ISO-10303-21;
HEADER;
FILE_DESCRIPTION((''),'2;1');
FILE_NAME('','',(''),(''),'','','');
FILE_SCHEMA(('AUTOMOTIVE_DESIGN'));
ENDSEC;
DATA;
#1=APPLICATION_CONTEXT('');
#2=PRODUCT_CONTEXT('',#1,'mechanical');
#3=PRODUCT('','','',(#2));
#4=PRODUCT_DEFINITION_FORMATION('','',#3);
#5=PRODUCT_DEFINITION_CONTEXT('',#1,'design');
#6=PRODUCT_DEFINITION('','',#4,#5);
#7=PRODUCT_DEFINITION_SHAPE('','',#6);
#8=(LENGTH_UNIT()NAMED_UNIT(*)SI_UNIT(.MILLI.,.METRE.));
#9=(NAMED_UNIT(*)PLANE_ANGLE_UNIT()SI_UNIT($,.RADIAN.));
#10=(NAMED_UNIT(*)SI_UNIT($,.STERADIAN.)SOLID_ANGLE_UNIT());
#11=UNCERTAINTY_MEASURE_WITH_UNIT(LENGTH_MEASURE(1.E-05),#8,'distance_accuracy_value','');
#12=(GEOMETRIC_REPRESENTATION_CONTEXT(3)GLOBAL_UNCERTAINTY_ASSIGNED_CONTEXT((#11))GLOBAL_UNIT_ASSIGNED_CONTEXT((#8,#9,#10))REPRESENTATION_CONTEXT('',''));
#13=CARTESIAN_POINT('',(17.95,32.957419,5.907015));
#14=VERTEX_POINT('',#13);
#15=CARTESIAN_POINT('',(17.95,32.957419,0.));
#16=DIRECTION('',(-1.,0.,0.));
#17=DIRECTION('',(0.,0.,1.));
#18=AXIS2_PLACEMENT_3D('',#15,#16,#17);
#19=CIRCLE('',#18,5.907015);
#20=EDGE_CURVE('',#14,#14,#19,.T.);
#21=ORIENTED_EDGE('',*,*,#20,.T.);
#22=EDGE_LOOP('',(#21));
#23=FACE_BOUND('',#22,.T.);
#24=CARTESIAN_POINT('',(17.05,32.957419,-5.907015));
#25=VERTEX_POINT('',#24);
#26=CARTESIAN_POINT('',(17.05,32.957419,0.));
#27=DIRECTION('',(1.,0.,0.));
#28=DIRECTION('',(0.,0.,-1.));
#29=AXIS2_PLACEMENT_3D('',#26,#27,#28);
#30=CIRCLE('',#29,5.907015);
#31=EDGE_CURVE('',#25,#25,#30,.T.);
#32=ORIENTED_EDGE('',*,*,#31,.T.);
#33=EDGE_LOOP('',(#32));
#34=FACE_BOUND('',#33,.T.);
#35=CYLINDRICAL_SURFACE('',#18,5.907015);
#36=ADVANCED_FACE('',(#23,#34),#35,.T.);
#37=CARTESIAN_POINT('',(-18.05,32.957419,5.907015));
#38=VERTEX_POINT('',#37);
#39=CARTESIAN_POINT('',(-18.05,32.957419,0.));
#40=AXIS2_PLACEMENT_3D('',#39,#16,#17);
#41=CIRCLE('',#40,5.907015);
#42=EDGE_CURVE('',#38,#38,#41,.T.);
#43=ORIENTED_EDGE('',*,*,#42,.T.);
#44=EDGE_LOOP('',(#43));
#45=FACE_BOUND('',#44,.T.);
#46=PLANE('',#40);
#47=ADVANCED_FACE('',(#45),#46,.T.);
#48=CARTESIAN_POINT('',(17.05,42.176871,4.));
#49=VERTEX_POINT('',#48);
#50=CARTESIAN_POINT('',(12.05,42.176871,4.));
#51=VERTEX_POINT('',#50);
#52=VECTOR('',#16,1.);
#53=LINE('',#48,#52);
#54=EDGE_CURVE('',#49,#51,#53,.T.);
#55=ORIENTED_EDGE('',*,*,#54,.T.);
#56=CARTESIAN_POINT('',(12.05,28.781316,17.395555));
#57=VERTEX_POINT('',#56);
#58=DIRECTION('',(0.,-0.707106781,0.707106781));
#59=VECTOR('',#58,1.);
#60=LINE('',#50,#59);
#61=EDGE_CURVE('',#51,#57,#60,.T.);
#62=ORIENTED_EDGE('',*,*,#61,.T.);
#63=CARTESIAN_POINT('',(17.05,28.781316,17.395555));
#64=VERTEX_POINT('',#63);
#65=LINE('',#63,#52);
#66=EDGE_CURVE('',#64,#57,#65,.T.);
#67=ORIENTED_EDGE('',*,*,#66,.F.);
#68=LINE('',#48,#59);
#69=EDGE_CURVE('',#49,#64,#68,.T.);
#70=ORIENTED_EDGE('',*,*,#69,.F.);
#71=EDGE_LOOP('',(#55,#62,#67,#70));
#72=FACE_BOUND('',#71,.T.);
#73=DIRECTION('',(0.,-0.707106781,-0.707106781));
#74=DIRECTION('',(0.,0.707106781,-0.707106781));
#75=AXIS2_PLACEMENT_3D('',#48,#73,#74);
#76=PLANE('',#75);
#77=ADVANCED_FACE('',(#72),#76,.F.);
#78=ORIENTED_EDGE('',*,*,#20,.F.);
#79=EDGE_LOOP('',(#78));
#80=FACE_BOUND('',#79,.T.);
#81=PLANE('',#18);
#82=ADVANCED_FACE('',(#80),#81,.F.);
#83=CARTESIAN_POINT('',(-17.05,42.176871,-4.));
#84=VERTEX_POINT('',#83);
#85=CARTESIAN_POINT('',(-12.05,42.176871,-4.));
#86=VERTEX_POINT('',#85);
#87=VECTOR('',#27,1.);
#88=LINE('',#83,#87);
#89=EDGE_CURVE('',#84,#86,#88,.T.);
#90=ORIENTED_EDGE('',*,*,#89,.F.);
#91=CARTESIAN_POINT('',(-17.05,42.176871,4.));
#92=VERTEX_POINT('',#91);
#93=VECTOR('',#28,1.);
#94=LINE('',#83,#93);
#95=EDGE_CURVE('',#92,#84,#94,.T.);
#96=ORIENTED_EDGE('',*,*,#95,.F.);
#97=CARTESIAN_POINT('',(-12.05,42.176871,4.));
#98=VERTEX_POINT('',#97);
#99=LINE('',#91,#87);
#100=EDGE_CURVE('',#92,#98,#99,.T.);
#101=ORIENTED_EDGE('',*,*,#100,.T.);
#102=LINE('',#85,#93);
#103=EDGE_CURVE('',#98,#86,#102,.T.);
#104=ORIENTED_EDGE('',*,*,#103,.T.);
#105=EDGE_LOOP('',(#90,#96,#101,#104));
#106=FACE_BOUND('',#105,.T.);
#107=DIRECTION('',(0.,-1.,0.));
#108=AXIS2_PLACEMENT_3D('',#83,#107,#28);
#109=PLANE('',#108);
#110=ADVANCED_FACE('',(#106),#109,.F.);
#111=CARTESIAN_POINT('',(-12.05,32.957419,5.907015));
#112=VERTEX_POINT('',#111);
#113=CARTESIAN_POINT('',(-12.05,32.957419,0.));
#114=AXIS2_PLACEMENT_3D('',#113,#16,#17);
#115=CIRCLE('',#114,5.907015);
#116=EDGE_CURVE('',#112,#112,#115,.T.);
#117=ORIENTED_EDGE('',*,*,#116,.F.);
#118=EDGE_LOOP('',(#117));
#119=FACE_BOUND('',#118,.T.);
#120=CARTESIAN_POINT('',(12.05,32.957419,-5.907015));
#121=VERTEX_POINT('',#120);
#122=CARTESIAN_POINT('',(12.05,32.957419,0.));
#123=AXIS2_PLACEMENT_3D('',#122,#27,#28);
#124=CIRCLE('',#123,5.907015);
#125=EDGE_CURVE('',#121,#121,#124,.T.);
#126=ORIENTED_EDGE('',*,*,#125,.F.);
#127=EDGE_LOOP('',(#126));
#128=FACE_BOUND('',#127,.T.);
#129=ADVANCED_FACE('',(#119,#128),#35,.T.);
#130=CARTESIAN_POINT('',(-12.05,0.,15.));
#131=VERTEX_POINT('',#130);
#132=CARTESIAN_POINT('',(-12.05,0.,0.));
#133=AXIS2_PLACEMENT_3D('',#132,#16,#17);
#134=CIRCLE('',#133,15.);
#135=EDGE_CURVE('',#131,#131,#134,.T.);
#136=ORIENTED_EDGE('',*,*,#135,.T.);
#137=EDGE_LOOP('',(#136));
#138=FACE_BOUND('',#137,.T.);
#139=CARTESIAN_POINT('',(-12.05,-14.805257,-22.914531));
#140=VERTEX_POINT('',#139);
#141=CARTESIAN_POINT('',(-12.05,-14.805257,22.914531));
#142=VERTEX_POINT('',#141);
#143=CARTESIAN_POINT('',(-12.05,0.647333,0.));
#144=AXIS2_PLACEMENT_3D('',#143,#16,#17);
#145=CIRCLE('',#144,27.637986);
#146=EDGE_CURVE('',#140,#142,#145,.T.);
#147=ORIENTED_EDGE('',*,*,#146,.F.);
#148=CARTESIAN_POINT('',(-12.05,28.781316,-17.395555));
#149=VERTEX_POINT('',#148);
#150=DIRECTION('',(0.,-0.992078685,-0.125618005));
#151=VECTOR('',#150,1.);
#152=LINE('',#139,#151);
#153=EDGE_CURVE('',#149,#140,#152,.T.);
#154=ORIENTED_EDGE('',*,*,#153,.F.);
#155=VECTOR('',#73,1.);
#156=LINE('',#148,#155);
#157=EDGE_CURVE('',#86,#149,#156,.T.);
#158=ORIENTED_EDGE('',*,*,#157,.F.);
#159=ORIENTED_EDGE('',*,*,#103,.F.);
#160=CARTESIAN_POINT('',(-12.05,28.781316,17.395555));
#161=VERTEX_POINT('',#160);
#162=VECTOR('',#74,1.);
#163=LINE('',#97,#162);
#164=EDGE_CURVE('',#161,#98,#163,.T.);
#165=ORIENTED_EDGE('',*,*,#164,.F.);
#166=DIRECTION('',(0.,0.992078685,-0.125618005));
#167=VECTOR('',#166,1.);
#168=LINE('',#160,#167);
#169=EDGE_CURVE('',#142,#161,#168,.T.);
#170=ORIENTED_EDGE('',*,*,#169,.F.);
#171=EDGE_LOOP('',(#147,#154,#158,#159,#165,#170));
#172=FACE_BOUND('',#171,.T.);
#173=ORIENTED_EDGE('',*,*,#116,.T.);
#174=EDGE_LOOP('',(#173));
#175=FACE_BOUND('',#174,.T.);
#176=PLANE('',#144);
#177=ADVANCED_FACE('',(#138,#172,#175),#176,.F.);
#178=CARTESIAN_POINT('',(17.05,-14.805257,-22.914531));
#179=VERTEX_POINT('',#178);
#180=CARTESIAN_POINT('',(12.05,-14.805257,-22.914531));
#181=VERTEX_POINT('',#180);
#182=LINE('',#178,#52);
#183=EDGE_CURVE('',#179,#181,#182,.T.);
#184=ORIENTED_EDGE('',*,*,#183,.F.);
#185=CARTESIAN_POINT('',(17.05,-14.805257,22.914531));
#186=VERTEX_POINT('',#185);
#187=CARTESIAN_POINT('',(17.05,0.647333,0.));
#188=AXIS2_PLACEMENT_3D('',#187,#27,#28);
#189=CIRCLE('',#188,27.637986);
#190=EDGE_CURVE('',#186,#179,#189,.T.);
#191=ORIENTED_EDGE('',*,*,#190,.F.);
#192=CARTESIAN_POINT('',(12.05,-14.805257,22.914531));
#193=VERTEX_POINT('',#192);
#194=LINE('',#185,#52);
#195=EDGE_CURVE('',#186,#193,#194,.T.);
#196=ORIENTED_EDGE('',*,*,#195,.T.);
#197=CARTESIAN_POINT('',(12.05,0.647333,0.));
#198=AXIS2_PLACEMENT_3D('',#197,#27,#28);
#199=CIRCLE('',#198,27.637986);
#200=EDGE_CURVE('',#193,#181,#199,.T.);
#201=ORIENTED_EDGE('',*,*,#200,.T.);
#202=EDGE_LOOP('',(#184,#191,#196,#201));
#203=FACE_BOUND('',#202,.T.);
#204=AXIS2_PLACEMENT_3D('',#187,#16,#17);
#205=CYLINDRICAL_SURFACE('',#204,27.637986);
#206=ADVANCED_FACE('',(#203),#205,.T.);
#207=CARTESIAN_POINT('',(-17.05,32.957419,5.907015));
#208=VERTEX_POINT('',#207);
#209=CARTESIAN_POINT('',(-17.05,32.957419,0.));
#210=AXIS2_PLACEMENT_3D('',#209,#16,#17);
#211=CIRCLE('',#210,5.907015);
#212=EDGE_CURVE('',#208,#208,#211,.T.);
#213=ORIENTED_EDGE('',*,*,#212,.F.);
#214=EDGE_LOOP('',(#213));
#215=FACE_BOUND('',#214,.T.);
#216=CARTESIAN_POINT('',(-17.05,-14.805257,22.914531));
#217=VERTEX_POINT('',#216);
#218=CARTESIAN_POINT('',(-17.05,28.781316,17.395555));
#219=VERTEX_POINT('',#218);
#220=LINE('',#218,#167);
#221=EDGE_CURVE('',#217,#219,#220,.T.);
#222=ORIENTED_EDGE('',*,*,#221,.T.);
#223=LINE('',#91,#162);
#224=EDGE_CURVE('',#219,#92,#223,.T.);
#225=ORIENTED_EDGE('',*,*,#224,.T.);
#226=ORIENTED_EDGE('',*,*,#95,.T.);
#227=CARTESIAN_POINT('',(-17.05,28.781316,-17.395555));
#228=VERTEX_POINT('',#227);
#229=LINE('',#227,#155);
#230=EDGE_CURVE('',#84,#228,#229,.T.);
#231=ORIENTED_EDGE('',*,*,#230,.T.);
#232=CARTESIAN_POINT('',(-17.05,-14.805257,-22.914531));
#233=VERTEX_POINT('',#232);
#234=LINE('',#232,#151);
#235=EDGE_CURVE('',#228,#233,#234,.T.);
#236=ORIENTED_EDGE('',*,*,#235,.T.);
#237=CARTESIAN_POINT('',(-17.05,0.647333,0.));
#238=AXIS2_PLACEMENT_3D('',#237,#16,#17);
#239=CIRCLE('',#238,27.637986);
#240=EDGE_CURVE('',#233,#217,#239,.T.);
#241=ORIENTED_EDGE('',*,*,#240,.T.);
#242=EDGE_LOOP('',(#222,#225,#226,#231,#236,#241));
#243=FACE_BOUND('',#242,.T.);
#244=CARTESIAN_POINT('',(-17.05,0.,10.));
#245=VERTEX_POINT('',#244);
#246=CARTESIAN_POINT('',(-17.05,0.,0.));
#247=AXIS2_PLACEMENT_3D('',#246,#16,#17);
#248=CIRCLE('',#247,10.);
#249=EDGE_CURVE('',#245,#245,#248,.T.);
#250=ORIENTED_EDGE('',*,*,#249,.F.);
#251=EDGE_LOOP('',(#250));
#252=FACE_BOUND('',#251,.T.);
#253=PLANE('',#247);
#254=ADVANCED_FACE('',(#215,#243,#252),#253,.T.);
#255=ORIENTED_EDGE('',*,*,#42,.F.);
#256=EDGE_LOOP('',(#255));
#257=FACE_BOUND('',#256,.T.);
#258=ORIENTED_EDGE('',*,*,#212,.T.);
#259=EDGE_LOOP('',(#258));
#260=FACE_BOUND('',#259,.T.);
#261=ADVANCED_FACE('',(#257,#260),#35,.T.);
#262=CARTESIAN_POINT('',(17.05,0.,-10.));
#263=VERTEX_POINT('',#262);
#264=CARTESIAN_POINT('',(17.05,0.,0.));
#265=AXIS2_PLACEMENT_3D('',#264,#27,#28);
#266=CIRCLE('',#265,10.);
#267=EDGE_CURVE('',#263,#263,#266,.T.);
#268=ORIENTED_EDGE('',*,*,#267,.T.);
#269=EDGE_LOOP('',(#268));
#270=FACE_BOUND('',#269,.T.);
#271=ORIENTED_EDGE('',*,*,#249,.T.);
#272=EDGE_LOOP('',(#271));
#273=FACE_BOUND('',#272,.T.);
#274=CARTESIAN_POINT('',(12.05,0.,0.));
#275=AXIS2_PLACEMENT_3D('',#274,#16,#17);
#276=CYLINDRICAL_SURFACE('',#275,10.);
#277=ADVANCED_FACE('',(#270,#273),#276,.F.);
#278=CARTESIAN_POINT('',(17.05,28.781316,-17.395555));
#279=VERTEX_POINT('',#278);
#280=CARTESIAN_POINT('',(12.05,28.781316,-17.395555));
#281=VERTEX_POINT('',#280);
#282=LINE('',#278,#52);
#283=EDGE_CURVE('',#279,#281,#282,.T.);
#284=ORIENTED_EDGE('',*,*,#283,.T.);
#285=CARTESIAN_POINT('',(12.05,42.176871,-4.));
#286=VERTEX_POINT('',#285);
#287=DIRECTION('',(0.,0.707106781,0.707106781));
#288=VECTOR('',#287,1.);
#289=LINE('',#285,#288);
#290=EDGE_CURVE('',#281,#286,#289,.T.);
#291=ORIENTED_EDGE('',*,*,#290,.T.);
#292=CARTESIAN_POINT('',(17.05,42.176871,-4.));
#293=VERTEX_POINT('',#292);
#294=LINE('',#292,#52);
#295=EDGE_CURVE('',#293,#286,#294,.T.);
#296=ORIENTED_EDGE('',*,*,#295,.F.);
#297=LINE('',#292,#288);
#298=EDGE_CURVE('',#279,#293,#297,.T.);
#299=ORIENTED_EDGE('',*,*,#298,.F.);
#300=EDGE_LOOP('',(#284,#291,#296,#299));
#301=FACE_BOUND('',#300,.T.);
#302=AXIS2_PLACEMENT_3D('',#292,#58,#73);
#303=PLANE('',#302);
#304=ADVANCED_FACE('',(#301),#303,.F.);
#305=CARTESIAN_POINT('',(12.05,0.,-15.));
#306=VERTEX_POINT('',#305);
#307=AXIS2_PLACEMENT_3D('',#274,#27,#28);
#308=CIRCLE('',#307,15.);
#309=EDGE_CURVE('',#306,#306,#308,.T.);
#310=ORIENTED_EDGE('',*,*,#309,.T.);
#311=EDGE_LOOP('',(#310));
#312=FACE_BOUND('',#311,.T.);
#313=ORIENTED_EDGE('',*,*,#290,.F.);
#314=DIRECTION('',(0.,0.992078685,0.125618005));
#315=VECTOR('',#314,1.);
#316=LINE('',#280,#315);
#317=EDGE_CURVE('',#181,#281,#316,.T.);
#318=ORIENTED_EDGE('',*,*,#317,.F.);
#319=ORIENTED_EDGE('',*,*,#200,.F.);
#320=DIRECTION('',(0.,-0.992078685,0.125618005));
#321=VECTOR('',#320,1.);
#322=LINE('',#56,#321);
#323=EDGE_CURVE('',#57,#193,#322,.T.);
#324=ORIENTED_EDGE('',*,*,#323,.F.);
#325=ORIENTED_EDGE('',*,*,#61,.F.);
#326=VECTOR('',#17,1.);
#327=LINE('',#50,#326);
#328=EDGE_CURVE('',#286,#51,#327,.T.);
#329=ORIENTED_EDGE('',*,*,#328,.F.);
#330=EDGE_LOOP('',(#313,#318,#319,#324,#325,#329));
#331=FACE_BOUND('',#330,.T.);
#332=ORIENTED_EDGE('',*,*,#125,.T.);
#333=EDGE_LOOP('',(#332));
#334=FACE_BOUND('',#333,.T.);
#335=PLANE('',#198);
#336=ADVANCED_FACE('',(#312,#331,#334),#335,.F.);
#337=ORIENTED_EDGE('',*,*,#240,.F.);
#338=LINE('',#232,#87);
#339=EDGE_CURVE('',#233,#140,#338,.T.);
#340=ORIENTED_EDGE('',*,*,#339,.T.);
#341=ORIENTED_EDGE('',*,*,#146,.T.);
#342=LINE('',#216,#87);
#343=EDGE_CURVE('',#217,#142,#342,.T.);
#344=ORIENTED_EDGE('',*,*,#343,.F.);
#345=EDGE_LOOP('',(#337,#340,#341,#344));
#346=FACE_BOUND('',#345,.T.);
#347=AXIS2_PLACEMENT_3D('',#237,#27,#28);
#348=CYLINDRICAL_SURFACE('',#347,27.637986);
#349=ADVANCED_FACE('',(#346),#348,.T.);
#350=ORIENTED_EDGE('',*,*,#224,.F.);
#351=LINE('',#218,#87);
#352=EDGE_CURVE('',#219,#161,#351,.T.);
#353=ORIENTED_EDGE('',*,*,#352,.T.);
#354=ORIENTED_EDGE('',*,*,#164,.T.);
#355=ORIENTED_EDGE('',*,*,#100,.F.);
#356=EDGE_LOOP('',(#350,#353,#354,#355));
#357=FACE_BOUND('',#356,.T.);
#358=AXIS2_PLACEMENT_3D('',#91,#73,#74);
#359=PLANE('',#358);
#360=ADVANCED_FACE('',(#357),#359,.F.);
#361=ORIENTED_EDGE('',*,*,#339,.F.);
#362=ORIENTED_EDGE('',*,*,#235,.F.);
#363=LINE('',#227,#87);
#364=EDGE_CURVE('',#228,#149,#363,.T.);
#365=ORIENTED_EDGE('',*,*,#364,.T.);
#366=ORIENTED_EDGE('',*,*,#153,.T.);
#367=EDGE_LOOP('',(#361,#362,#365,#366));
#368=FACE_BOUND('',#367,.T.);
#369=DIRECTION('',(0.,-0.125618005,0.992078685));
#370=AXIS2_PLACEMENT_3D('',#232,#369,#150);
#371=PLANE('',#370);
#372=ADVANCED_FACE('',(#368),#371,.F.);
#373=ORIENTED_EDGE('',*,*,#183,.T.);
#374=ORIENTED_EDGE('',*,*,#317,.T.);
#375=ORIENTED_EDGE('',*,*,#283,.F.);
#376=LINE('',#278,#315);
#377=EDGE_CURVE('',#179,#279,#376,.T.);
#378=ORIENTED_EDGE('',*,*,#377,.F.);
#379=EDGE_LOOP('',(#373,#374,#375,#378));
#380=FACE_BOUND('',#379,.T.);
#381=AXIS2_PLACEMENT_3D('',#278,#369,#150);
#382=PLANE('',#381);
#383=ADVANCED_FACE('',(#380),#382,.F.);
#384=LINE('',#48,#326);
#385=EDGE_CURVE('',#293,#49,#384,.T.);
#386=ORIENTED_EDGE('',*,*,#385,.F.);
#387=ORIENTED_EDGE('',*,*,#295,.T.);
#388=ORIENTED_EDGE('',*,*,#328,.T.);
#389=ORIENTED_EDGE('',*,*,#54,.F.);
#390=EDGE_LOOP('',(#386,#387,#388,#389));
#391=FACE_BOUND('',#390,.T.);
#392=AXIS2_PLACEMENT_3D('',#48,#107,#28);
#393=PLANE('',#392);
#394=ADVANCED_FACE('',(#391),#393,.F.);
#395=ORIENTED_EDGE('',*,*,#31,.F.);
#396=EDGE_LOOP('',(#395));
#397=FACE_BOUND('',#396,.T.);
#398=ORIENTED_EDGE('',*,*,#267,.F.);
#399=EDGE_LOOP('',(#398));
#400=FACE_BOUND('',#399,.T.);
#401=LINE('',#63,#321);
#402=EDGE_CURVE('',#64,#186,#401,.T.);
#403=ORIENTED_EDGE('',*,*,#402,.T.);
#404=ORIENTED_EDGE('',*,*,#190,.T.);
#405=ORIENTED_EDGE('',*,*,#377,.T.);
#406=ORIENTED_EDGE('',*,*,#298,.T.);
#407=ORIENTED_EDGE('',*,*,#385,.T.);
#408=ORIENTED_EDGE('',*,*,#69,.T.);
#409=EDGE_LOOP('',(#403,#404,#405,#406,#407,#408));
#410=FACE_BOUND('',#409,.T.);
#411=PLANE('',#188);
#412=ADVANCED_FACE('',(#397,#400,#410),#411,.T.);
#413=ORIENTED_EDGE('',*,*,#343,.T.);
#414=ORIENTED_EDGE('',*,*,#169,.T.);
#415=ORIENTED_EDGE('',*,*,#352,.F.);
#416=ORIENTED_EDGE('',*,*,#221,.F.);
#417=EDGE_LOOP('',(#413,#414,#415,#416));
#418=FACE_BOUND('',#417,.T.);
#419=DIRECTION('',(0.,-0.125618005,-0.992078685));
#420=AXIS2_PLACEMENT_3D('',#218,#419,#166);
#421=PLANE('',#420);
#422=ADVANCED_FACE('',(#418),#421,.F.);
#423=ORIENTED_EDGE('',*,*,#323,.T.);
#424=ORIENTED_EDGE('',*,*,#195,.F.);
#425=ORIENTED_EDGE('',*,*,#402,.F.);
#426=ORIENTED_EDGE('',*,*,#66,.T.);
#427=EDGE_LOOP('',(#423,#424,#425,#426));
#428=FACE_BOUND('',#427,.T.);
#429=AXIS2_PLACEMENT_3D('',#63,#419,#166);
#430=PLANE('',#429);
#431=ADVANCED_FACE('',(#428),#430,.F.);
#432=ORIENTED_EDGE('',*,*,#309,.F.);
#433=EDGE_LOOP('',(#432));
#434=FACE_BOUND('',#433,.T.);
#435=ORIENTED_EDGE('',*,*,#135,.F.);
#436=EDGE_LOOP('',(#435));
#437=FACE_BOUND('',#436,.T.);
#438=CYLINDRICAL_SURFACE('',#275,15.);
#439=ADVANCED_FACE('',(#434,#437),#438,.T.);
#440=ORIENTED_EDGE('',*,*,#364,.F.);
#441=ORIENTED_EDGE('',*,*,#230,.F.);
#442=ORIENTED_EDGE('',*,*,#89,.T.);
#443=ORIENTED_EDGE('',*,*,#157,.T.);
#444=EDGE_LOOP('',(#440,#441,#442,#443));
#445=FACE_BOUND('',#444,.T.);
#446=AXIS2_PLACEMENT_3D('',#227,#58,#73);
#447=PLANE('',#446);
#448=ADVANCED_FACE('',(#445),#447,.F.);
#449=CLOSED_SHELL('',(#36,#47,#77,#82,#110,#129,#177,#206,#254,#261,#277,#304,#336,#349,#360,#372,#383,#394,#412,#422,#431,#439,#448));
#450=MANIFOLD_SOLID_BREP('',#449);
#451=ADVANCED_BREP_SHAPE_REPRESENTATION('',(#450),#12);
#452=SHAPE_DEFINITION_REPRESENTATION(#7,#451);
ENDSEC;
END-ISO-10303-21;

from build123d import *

# Parameters (mm, degrees)
IZIM2_R                          = 15
IZIM2_R_2                        = 10
Y_KSEKLIK_EKSTR_ZYON1_DEPTH      = 12.05
IZIM3_R                          = 10
Y_KSEKLIK_EKSTR_ZYON2_DEPTH      = 5
IZIM4_R                          = 15
Y_KSEKLIK_EKSTR_ZYON3_DEPTH      = 5
IZIM7_R                          = 15
IZIM7_R_2                        = 10
Y_KSEKLIK_EKSTR_ZYON4_DEPTH      = 5
IZIM5_R                          = 5.907014981
Y_KSEKLIK_EKSTR_ZYON5_DEPTH      = 1
Y_KSEKLIK_EKSTR_ZYON5_DEPTH_BACK = 35


with BuildPart() as part:
    # Çizim2 → Yükseklik-Ekstrüzyon1 (new body, symmetric)
    with BuildSketch(Plane(origin=(0, 0, 0), x_dir=(0, 0, -1), z_dir=(1, 0, 0))):
        Circle(IZIM2_R)
        Circle(IZIM2_R_2, mode=Mode.SUBTRACT)
    extrude(amount=Y_KSEKLIK_EKSTR_ZYON1_DEPTH, both=True)

    # Çizim3 → Yükseklik-Ekstrüzyon2 (add)
    with BuildSketch(Plane(origin=(12.05, 0, 0), x_dir=(0, 0, -1), z_dir=(1, 0, 0))):
        with BuildLine():
            Line((-4, 42.176870951), (4, 42.176870951))
            Line((4, 42.176870951), (17.395555059, 28.781315891))
            Line((17.395555059, 28.781315891), (22.914530919, -14.80525669))
            ThreePointArc((22.914530919, -14.80525669), (0, -26.990652818), (-22.914530919, -14.80525669))
            Line((-22.914530919, -14.80525669), (-17.395555059, 28.781315891))
            Line((-17.395555059, 28.781315891), (-4, 42.176870951))
        make_face()
        Circle(IZIM3_R, mode=Mode.SUBTRACT)
    extrude(amount=Y_KSEKLIK_EKSTR_ZYON2_DEPTH)



with BuildPart() as body_2:
    # Çizim4 → Yükseklik-Ekstrüzyon3 (new body)
    with BuildSketch(Plane.ZY.offset(12.05)):
        with BuildLine():
            Line((-4, 42.176870951), (4, 42.176870951))
            Line((4, 42.176870951), (17.395555059, 28.781315891))
            Line((17.395555059, 28.781315891), (22.914530919, -14.80525669))
            ThreePointArc((22.914530919, -14.80525669), (0, -26.990652818), (-22.914530919, -14.80525669))
            Line((-22.914530919, -14.80525669), (-17.395555059, 28.781315891))
            Line((-17.395555059, 28.781315891), (-4, 42.176870951))
        make_face()
        Circle(IZIM4_R, mode=Mode.SUBTRACT)
    extrude(amount=Y_KSEKLIK_EKSTR_ZYON3_DEPTH)


with BuildPart() as part_1:
    add(part.part)

    add(body_2.part)  # Yükseklik-Ekstrüzyon4 merges body 2
    # Çizim7 → Yükseklik-Ekstrüzyon4 (add)
    with BuildSketch(Plane.ZY.offset(12.05)):
        Circle(IZIM7_R)
        Circle(IZIM7_R_2, mode=Mode.SUBTRACT)
    extrude(amount=Y_KSEKLIK_EKSTR_ZYON4_DEPTH)

    # Çizim5 → Yükseklik-Ekstrüzyon5 (add, two sides)
    with BuildSketch(Plane.ZY.offset(17.05)) as y_kseklik_ekstr_zyon5_sk:
        with Locations((0, 32.957419359)):
            Circle(IZIM5_R)
    extrude(amount=Y_KSEKLIK_EKSTR_ZYON5_DEPTH)
    extrude(y_kseklik_ekstr_zyon5_sk.sketch, amount=-Y_KSEKLIK_EKSTR_ZYON5_DEPTH_BACK)


solid = part_1.part
